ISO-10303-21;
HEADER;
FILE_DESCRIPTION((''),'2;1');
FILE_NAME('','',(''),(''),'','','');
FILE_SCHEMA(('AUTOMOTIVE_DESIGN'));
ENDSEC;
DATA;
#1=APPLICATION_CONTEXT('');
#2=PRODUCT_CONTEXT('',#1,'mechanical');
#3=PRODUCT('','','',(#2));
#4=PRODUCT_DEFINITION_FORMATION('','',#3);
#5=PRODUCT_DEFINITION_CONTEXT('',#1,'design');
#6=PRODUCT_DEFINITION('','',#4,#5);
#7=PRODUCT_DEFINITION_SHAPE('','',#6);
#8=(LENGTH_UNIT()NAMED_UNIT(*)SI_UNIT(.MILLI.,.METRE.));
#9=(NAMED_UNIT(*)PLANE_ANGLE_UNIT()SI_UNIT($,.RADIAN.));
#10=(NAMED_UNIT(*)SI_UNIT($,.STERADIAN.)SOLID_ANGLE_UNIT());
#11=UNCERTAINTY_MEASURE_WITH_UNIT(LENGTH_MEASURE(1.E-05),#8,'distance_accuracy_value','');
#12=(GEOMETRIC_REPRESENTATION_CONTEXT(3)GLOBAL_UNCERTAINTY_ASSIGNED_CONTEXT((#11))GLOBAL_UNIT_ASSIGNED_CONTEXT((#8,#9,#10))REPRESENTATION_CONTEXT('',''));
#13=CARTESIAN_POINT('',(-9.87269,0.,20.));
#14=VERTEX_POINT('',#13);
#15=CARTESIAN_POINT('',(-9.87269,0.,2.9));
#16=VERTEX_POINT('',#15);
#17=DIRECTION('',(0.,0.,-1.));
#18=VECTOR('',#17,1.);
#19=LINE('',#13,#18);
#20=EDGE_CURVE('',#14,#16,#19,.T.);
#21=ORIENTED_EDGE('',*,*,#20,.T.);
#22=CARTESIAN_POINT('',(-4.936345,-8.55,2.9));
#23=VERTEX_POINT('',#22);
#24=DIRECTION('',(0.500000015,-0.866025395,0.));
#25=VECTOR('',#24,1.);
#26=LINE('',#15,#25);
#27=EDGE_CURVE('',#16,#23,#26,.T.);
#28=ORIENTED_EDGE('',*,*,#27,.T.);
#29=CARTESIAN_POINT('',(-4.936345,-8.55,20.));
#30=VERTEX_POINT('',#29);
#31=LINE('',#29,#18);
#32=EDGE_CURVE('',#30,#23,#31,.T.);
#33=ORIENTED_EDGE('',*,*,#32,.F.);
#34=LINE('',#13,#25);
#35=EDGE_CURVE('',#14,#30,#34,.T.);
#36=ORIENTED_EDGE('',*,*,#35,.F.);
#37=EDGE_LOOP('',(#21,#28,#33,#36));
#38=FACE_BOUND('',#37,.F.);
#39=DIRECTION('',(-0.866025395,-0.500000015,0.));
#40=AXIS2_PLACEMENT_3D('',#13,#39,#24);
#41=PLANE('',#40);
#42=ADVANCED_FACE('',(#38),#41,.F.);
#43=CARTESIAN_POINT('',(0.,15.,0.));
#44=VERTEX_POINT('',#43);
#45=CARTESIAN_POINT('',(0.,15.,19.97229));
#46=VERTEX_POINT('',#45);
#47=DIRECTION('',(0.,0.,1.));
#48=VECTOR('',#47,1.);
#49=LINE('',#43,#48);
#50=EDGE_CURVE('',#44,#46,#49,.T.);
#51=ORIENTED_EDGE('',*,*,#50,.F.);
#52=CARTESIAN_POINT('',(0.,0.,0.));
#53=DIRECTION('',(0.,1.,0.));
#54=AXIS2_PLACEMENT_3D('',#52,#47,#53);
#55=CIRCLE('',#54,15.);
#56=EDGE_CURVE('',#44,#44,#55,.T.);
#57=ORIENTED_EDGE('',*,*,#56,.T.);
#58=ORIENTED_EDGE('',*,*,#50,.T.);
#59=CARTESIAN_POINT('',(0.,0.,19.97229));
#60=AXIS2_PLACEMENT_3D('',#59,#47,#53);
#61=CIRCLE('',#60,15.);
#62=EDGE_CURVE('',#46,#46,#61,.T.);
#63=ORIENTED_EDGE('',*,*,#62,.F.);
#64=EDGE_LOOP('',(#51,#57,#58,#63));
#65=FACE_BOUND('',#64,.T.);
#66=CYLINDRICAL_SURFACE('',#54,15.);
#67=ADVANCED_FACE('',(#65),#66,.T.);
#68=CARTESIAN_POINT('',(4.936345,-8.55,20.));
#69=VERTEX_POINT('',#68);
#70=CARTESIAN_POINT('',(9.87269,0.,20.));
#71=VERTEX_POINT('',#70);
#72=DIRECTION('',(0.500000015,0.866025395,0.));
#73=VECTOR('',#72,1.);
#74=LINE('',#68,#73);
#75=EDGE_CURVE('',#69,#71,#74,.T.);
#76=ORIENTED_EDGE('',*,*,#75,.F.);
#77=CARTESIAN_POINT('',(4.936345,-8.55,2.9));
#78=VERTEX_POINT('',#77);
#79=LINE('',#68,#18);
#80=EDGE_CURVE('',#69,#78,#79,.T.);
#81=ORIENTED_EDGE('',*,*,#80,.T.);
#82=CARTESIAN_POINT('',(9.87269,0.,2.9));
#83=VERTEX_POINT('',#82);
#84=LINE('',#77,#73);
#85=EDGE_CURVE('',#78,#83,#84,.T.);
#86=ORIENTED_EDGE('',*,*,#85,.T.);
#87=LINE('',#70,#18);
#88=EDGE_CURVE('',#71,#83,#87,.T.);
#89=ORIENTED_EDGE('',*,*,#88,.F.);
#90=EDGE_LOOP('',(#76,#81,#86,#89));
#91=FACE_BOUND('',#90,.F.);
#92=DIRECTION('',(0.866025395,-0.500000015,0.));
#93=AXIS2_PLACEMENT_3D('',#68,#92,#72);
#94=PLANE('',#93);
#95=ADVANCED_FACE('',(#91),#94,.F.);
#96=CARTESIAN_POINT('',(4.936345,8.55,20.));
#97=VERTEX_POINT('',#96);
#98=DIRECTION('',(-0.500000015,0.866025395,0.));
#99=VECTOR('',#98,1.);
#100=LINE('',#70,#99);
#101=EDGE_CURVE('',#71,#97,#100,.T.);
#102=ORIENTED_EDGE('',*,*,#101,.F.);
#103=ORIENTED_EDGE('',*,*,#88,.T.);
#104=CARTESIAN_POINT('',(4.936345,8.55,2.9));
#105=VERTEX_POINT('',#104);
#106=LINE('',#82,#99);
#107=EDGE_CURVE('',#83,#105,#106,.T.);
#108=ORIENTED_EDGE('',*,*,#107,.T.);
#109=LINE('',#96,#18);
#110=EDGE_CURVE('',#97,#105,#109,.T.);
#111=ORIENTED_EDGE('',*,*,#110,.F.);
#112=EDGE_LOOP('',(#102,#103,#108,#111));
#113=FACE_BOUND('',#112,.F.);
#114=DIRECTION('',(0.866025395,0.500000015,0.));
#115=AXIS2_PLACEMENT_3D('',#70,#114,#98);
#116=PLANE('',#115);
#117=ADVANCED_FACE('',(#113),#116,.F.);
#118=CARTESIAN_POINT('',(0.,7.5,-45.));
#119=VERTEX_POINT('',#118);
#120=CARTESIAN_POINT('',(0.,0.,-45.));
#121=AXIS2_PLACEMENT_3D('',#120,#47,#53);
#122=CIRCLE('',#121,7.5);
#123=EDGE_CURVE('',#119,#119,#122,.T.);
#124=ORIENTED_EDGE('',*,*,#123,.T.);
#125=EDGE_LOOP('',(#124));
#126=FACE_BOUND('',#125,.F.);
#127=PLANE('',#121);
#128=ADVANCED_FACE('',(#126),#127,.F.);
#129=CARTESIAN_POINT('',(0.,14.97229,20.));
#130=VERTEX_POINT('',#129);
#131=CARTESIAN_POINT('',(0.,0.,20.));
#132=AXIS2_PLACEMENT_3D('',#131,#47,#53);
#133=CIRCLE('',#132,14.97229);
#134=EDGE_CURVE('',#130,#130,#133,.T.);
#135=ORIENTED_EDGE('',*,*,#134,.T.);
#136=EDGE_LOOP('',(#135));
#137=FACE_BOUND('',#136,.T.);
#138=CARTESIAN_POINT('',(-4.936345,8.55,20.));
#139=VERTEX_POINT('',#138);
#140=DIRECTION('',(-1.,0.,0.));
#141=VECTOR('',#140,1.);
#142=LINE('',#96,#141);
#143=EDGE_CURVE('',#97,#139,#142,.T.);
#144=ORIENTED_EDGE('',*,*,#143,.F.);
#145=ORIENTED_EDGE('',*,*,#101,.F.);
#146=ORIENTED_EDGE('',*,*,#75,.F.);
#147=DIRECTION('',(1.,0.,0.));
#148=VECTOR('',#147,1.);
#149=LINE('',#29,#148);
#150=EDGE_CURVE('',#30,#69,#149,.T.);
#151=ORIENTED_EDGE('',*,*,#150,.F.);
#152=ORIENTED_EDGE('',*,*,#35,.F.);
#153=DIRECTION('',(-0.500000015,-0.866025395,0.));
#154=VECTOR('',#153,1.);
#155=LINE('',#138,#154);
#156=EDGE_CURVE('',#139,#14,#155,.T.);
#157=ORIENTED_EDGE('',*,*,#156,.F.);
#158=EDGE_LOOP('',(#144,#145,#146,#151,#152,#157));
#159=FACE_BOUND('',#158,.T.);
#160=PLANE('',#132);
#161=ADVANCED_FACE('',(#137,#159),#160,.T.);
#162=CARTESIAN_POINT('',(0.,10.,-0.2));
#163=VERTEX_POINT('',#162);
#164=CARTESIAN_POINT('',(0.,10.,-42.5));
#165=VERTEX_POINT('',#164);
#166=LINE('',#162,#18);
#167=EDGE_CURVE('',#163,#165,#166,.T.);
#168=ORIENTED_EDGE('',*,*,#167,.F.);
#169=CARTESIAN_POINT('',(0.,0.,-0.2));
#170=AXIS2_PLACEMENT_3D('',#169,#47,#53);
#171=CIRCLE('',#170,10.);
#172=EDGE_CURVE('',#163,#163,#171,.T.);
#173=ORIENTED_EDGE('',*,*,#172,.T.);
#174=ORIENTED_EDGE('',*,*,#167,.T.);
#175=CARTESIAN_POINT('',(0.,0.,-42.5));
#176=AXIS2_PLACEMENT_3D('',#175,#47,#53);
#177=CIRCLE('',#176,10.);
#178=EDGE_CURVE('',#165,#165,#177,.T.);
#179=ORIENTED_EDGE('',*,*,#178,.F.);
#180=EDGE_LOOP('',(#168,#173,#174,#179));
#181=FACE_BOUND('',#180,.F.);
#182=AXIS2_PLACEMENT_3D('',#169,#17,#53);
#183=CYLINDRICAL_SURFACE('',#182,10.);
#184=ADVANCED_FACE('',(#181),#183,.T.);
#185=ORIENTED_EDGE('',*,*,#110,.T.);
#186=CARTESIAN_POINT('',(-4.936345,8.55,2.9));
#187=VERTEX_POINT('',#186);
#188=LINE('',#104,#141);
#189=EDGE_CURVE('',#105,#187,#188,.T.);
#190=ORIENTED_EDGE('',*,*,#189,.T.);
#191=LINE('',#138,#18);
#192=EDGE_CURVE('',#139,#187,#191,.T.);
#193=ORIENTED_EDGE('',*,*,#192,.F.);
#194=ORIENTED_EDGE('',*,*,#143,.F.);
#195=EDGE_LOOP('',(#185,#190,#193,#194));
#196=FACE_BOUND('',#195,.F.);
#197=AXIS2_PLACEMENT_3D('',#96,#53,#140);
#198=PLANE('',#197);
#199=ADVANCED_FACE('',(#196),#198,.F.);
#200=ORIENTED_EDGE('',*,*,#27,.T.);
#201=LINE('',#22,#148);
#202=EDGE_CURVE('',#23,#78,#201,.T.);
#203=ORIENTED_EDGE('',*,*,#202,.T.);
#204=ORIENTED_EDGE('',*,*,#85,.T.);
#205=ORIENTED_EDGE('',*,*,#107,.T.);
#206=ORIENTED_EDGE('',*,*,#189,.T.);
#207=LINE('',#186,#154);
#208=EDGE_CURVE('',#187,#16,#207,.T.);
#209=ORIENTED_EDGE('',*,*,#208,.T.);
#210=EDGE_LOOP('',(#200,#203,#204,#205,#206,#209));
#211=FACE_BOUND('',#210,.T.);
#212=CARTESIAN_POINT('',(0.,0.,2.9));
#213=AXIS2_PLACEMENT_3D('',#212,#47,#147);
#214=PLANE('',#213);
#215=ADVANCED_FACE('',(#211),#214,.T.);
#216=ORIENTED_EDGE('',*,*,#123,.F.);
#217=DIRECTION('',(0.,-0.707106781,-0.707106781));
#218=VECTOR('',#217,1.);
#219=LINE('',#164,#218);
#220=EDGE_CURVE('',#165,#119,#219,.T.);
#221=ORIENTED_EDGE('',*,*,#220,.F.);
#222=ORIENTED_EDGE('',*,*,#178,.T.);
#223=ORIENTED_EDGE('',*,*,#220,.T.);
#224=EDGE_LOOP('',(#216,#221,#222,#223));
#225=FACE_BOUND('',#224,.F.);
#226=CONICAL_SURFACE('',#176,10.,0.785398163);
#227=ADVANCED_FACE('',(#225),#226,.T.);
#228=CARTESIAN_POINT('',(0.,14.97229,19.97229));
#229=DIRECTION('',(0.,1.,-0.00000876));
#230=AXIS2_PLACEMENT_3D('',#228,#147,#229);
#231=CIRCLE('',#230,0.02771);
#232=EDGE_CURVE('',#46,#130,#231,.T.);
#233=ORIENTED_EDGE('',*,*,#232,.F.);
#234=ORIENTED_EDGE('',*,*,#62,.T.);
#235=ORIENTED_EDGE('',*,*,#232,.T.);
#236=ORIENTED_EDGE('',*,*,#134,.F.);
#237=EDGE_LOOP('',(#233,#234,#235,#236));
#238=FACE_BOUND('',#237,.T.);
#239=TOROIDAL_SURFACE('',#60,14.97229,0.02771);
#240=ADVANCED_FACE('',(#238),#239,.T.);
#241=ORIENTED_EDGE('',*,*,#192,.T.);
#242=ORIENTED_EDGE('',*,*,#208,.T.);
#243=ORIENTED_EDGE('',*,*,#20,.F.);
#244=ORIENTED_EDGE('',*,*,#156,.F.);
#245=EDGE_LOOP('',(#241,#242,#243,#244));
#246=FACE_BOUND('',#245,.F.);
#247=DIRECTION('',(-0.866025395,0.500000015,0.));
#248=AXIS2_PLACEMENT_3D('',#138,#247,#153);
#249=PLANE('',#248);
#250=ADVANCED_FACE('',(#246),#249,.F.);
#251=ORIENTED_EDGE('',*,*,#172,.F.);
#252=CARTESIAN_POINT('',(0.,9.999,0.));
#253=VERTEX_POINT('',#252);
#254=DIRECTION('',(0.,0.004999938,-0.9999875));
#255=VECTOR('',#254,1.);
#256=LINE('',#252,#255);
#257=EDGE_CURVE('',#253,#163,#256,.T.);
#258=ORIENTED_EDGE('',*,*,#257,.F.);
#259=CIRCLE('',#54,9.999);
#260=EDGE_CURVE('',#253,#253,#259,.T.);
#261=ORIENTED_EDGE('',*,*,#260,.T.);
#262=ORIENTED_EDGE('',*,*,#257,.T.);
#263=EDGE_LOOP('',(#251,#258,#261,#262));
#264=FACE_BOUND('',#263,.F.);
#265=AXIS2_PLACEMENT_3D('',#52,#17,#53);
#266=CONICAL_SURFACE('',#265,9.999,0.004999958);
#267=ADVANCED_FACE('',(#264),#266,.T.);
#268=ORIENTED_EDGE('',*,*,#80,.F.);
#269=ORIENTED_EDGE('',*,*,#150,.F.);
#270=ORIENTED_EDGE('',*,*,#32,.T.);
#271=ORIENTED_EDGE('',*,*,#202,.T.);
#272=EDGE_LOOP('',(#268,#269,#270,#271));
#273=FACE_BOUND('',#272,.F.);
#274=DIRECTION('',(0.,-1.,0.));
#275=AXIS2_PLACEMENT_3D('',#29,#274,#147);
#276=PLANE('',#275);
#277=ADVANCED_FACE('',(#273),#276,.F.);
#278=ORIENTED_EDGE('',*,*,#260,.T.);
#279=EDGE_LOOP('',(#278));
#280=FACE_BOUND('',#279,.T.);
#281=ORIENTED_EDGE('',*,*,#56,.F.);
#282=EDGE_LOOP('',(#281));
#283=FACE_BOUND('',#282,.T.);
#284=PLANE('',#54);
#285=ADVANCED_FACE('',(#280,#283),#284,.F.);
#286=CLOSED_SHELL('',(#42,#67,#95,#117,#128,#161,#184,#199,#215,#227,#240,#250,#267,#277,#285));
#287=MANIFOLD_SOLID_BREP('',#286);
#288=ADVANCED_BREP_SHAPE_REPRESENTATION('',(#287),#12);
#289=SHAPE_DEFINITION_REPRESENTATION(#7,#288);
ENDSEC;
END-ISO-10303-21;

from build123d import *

# Parameters (mm, degrees)
POCKET_DEPTH = 17.1


with BuildPart() as part:
    # Sketch → Revolve (revolve)
    with BuildSketch(Plane.YZ):
        with BuildLine():
            Line((9.999, 0), (15, 0))
            Line((15, 0), (15, 19.97229))
            ThreePointArc((15, 19.97229), (14.991884, 19.991884), (14.97229, 20))
            Line((14.97229, 20), (0, 20))
            Line((0, -45), (0, 20))
            Line((7.5, -45), (0, -45))
            Line((10, -42.5), (7.5, -45))
            Line((10, -0.2), (10, -42.5))
            Line((9.999, 0), (10, -0.2))
        make_face()
    revolve(axis=Axis((0, 0, 0), (0, 0, 1)))

    # Sketch001 → Pocket (cut)
    with BuildSketch(Plane.XY.offset(20)):
        Polygon((9.87269, 0), (4.936345, 8.55), (-4.936345, 8.55), (-9.87269, 0), (-4.936345, -8.55), (4.936345, -8.55), align=None)
    extrude(amount=-POCKET_DEPTH, mode=Mode.SUBTRACT)


solid = part.part
